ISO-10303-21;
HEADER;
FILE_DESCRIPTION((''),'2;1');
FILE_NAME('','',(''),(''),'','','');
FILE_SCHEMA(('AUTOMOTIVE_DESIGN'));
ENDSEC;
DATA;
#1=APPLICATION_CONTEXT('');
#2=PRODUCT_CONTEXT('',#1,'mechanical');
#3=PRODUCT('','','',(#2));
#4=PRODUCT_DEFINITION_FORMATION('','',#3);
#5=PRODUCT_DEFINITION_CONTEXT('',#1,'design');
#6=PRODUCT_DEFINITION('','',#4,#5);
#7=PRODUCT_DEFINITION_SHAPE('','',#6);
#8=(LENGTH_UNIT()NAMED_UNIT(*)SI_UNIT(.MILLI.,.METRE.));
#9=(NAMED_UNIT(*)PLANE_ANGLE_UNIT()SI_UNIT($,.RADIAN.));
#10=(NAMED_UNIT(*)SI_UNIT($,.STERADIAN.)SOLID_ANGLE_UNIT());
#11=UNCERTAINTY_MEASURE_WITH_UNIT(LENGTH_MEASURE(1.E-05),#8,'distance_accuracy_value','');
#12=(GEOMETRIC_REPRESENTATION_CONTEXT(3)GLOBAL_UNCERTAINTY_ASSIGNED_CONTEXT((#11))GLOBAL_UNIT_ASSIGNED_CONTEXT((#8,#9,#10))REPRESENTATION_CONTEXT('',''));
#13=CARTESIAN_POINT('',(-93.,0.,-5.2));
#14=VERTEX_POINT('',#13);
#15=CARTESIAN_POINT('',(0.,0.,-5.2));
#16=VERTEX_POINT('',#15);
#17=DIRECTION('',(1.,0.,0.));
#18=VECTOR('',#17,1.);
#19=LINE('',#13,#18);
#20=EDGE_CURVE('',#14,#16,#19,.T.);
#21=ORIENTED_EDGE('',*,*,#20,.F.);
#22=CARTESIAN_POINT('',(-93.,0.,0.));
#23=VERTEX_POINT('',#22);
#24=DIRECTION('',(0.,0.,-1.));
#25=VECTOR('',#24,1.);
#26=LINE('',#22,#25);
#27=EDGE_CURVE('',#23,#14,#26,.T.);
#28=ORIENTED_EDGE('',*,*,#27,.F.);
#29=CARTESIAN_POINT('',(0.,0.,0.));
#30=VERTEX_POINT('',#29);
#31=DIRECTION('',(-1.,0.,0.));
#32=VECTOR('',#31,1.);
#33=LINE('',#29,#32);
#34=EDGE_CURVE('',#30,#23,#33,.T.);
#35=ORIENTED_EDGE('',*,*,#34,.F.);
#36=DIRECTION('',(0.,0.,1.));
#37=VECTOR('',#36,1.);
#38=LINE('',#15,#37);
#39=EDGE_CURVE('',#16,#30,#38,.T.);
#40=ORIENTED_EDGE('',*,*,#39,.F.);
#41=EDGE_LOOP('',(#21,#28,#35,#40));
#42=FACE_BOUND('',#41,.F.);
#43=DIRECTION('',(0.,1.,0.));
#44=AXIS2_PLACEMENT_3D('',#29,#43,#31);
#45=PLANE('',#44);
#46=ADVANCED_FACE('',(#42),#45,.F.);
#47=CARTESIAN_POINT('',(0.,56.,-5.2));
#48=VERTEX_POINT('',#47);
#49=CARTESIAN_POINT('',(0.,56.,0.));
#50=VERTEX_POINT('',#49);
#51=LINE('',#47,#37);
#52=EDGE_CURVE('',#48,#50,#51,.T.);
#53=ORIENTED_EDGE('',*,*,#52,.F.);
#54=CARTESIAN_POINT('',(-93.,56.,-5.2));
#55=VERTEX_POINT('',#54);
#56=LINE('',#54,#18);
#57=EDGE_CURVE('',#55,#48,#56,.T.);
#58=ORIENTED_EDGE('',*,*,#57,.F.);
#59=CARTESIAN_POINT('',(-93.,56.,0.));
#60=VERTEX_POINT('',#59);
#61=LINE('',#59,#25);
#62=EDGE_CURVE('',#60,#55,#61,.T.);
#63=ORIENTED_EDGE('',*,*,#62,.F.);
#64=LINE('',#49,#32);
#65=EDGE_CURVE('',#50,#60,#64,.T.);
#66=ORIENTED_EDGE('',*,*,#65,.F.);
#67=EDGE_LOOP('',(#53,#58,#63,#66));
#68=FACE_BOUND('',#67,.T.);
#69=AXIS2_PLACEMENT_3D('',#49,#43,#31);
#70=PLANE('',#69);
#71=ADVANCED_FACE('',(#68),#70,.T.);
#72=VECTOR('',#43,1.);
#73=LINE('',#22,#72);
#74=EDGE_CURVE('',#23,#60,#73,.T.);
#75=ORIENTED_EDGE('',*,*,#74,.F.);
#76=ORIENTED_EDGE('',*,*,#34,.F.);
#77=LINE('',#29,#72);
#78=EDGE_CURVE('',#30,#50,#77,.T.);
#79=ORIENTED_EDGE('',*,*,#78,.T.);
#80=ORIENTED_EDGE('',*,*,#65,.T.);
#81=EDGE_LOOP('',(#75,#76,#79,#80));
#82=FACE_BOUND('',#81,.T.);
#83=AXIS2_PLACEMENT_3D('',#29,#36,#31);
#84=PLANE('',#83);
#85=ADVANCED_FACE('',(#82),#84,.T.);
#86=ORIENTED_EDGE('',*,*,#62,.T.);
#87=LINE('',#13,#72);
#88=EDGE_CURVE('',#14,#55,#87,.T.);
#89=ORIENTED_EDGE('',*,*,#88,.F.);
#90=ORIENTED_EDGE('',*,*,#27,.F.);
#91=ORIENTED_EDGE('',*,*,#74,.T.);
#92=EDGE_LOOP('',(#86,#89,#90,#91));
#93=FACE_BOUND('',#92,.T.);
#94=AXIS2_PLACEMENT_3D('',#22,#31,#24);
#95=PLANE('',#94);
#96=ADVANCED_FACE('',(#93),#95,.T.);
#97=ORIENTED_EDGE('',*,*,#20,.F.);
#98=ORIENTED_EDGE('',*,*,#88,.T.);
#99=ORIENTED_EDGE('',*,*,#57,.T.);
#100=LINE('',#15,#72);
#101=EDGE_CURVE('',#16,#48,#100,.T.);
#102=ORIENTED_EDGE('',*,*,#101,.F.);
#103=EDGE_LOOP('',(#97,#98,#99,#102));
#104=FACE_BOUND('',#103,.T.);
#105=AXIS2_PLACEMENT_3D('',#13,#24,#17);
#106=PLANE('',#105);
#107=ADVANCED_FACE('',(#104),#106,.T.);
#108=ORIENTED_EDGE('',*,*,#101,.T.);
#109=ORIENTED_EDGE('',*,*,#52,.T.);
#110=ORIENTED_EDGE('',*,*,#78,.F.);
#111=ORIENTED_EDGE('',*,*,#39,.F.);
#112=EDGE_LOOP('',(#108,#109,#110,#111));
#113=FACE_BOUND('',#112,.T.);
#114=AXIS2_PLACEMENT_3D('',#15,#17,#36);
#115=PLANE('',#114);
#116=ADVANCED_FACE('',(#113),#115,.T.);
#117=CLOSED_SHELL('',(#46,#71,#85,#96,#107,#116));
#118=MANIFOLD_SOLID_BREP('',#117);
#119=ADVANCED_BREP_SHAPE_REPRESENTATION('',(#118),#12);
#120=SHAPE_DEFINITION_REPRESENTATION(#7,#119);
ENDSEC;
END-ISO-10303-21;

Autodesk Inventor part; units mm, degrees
ref_plane "YZ Plane" through (0, 0, 0) normal (1, 0, 0) x (0, 1, 0)
ref_plane "XZ Plane" through (0, 0, 0) normal (0, 1, 0) x (-1, 0, 0)
ref_plane "XY Plane" through (0, 0, 0) normal (0, 0, 1) x (1, 0, 0)
sketch "Sketch1" plane through (0, 0, 0) normal (0, 1, 0) x (-1, 0, 0)
  line L0 (0, 0) -> (93, 0)
  line L1 (93, 0) -> (93, -5.2)
  line L2 (93, -5.2) -> (0, -5.2)
  line L3 (0, -5.2) -> (0, 0)
  dimension "d0" = 5.2
  dimension "d1" = 93
extrude "Extrusion1" add sketch "Sketch1" along normal blind 56
properties part number "Supply"
